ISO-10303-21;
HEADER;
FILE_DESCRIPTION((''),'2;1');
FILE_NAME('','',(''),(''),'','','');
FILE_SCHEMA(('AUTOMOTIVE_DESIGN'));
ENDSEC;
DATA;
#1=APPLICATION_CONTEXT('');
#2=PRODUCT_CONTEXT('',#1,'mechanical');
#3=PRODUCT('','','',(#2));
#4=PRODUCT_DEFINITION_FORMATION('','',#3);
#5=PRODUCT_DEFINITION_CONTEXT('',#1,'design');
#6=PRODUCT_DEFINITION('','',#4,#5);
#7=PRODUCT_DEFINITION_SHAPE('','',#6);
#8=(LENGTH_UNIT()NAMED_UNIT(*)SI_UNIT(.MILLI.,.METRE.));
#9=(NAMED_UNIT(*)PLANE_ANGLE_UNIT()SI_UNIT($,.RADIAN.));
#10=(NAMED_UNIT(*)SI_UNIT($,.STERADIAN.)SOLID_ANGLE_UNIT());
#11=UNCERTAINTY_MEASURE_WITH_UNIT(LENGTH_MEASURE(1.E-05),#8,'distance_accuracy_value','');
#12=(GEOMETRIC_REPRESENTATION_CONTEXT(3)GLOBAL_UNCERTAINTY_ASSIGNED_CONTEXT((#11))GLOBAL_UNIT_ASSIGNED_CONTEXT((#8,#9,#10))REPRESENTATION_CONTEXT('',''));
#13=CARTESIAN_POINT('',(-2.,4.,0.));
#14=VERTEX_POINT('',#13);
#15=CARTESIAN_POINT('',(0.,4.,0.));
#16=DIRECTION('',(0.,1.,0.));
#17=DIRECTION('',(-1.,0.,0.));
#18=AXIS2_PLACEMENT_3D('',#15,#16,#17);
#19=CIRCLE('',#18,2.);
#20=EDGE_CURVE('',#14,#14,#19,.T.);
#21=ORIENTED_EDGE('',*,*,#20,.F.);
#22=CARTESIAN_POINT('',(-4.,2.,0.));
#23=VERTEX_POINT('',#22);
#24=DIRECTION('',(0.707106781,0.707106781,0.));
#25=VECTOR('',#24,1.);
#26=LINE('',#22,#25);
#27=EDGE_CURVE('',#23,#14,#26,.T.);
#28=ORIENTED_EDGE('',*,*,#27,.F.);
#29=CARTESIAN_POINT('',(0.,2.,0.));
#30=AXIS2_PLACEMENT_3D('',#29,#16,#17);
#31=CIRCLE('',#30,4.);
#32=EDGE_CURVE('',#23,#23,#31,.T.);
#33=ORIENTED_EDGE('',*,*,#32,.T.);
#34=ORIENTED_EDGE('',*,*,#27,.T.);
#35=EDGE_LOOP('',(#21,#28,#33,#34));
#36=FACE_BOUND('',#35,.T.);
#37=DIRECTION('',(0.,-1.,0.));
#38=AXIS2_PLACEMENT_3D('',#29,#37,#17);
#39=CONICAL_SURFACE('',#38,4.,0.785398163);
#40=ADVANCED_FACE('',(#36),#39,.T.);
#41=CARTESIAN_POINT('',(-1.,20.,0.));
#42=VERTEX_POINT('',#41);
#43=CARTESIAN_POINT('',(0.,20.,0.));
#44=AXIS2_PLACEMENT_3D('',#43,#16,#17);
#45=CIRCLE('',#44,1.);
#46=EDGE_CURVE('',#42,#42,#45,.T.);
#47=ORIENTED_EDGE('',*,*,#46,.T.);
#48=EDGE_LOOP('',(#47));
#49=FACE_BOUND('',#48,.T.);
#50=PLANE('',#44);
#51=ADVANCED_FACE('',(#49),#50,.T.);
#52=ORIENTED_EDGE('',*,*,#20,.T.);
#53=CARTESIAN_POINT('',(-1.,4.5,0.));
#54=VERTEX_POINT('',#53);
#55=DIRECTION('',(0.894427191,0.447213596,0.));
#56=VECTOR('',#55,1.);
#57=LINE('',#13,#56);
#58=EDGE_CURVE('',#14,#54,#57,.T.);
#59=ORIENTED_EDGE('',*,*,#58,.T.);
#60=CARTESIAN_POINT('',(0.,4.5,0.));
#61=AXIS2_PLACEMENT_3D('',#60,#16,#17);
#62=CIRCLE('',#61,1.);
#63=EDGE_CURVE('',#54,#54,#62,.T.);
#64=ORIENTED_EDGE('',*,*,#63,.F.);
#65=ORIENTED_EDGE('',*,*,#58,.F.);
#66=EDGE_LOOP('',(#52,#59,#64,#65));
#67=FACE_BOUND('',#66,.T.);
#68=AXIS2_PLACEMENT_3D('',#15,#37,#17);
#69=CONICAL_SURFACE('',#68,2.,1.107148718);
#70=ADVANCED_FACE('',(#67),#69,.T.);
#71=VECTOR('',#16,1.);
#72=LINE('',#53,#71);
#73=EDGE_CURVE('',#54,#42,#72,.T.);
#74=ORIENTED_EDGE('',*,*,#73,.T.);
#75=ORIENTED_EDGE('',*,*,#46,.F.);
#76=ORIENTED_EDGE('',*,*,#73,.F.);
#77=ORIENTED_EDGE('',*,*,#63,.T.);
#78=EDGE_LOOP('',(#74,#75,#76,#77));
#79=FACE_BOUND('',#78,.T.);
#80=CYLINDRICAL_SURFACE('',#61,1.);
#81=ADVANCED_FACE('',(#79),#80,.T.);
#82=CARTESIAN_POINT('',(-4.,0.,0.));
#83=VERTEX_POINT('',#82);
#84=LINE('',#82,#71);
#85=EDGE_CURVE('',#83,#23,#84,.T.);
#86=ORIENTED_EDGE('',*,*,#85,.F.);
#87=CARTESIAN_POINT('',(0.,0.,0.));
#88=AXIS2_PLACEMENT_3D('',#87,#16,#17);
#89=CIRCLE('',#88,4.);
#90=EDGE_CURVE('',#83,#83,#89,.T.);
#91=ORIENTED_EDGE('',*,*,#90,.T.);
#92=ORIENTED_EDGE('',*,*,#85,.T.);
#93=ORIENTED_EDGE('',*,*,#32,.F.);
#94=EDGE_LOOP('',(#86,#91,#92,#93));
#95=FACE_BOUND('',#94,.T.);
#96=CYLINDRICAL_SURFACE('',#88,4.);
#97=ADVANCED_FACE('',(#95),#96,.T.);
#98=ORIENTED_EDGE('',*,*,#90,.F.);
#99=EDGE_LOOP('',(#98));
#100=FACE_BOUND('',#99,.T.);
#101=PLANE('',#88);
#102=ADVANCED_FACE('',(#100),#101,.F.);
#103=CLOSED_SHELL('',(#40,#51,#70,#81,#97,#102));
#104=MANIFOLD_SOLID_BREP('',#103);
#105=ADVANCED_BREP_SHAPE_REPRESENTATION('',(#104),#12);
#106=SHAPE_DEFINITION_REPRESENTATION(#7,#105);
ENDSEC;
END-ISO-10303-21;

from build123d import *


with BuildPart() as part:
    # Sketch → Revolution (revolve)
    with BuildSketch(Plane.XY):
        Polygon((0, 0), (-4, 0), (-4, 2), (-2, 4), (-1, 4.5), (-1, 20), (0, 20), align=None)
    revolve(axis=Axis((0, 0, 0), (0, 1, 0)))


solid = part.part
